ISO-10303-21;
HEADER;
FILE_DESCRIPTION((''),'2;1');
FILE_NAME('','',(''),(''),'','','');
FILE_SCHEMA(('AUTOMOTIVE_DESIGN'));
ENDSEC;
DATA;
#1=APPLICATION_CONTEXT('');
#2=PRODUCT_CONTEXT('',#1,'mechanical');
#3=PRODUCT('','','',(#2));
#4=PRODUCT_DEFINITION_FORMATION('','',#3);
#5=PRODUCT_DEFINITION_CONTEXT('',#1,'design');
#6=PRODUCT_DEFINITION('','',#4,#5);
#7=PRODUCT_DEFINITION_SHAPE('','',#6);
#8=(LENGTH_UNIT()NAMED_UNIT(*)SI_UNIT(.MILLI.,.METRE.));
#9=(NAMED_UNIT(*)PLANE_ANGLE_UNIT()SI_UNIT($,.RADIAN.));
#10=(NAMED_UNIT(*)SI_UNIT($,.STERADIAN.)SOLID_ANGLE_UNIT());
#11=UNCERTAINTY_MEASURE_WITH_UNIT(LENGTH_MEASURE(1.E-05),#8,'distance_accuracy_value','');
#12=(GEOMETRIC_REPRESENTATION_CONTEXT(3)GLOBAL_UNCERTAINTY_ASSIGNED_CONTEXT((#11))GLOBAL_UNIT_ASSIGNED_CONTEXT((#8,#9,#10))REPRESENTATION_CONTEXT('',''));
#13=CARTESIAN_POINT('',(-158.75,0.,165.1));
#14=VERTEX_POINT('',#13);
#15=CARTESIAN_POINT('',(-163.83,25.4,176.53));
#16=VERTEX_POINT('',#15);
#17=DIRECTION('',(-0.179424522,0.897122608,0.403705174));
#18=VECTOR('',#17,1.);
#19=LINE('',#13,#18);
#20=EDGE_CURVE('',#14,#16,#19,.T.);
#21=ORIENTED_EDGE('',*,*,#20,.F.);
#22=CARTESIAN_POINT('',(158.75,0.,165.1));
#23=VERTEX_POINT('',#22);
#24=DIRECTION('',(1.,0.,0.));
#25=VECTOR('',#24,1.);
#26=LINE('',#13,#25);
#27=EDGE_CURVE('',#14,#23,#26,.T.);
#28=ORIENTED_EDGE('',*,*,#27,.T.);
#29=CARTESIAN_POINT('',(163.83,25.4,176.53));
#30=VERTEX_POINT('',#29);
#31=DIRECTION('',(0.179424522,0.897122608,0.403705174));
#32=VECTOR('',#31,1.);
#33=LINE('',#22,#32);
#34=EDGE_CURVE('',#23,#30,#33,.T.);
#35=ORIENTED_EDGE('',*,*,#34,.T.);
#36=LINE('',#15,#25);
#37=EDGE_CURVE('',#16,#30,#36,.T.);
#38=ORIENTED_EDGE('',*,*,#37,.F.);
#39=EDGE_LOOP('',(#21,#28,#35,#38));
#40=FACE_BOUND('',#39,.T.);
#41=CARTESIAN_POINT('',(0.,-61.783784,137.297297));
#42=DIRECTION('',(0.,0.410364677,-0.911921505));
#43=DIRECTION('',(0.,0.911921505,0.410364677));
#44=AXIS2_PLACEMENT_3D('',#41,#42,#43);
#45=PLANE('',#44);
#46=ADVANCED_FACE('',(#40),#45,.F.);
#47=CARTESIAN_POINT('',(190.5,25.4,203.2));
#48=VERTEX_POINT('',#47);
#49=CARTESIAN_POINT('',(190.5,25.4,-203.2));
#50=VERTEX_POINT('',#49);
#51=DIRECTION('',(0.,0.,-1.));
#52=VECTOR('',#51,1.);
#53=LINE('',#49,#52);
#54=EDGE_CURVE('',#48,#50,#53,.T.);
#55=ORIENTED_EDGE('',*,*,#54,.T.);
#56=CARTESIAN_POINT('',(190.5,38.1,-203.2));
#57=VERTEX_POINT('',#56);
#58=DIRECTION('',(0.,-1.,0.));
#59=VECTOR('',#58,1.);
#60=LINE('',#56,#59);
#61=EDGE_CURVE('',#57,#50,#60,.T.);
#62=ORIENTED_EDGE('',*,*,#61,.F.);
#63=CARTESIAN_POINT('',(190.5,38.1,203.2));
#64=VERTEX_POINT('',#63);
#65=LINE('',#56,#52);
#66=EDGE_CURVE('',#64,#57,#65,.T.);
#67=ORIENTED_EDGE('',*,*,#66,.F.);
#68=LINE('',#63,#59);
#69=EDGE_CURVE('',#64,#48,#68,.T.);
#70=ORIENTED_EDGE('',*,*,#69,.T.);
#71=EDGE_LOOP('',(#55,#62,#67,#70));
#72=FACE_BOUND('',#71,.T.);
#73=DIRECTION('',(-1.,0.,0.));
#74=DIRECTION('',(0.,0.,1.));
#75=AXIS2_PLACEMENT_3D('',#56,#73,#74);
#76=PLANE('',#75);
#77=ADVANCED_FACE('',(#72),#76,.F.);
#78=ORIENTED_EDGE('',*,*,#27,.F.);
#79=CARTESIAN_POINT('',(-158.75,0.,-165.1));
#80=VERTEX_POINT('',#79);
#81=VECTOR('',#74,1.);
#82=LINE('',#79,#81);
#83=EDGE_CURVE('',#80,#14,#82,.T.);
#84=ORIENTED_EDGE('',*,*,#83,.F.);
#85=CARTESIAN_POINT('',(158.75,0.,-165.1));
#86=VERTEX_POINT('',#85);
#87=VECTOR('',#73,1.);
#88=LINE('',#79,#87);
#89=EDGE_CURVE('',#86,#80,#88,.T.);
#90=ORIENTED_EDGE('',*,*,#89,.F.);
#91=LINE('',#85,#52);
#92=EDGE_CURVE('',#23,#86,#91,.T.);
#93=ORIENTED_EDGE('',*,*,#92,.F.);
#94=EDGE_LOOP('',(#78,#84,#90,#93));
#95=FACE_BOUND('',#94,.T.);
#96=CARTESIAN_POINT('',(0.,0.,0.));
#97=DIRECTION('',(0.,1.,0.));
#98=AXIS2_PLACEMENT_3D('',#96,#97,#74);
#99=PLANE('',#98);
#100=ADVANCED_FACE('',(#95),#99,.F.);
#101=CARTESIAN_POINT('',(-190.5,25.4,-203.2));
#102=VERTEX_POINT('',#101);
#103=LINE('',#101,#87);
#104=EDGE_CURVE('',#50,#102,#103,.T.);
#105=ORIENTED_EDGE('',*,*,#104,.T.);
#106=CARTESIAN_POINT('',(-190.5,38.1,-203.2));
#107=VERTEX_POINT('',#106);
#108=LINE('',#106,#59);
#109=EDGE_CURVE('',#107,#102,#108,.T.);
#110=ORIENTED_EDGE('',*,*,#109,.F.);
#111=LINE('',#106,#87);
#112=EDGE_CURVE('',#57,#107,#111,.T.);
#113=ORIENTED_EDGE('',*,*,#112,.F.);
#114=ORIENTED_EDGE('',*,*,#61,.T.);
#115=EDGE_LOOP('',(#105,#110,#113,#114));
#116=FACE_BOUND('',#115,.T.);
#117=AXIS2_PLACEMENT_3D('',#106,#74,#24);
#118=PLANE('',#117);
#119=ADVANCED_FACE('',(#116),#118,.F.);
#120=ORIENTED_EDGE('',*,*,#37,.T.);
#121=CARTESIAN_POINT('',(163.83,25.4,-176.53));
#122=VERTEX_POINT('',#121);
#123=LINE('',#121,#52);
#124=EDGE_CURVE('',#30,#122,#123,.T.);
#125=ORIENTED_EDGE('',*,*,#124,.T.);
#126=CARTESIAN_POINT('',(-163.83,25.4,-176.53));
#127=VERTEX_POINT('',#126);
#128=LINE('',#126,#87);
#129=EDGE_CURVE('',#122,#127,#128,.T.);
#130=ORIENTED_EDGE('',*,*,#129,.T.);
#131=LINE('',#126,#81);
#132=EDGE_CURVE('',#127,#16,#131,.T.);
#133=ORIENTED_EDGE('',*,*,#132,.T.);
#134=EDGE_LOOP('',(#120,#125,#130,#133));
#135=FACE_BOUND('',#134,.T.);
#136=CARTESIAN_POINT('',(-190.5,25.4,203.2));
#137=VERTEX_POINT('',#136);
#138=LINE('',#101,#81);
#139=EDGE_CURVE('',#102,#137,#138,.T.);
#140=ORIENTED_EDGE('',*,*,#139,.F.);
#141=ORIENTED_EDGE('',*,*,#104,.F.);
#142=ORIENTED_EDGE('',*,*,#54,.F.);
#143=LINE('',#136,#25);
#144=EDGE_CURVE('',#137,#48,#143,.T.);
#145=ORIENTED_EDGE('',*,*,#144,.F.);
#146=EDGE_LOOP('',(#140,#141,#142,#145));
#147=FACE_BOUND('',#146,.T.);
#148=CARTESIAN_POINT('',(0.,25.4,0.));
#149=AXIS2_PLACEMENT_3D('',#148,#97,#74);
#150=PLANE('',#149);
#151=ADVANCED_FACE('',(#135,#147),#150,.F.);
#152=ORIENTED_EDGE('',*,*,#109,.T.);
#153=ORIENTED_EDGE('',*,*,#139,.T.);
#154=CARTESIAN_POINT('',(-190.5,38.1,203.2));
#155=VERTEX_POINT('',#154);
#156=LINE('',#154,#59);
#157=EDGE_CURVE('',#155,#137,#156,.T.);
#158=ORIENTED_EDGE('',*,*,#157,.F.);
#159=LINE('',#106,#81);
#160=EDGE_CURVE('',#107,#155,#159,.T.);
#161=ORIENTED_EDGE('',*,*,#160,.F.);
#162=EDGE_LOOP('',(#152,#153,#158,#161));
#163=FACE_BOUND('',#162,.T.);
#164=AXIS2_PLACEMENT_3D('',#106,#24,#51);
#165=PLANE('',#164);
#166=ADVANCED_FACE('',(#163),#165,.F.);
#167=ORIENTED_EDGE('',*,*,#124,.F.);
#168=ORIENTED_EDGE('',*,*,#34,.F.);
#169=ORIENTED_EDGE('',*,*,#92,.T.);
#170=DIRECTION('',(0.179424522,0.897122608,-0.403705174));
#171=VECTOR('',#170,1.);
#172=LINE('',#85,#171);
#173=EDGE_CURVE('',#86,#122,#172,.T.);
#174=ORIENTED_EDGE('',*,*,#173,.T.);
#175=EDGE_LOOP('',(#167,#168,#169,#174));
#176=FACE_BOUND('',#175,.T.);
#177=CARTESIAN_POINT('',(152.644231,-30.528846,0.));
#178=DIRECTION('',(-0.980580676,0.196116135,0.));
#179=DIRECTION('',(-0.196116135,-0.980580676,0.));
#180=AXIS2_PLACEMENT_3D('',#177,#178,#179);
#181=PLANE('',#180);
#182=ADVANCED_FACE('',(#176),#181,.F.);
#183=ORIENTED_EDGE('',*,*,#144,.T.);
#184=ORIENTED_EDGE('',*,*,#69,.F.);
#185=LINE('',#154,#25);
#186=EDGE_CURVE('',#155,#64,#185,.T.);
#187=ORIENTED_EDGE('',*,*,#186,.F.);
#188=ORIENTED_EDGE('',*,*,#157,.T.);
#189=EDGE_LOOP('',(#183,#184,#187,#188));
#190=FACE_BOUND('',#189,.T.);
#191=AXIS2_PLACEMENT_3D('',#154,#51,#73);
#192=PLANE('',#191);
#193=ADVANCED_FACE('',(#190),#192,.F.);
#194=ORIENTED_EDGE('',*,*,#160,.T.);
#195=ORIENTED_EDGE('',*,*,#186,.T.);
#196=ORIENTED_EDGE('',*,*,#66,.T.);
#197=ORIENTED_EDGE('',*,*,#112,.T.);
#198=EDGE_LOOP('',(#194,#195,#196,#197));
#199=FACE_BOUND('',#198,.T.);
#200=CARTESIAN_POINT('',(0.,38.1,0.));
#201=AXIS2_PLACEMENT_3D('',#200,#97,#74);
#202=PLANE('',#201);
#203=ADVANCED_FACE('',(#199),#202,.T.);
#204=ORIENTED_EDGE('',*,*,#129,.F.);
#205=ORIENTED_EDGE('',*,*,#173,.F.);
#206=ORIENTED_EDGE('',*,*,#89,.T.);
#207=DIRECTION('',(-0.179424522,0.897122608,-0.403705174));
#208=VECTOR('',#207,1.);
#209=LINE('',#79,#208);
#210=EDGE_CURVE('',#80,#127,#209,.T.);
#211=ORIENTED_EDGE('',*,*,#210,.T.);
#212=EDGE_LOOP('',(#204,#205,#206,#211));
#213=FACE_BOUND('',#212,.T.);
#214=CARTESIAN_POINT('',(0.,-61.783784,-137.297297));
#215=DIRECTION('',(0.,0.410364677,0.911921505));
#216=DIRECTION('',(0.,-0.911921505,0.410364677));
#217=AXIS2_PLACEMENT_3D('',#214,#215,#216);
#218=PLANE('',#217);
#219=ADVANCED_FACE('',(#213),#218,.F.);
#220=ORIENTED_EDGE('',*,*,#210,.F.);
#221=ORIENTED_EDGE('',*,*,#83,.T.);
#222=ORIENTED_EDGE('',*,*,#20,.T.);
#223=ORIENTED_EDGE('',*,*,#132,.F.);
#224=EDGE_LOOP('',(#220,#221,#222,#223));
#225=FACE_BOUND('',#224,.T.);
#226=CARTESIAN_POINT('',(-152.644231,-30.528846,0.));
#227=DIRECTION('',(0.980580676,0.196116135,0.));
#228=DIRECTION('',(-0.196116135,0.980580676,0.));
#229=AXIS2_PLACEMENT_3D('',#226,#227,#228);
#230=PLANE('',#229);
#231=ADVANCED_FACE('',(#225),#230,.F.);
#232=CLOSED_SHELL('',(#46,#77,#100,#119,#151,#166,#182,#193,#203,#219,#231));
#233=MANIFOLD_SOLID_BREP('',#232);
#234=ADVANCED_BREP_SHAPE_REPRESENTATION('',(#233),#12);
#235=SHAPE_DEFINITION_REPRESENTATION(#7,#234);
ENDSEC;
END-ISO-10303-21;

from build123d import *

# Parameters (mm, degrees)
SKETCH4_W           = 381
SKETCH4_H           = 406.4
BOSS_EXTRUDE1_DEPTH = 12.7


with BuildPart() as part:
    # Sketch1 → Loft1 section 0
    with BuildSketch(Plane(origin=(0, 0, 0), x_dir=(1, 0, 0), z_dir=(0, 1, 0))):
        with BuildLine():
            Line((-158.75, 165.1), (158.75, 165.1))
            Line((158.75, 165.1), (158.75, -165.1))
            Line((158.75, -165.1), (-158.75, -165.1))
            Line((-158.75, -165.1), (-158.75, 165.1))
        make_face()
    # Sketch2 → Loft1 section 1
    with BuildSketch(Plane(origin=(0, 25.4, 0), x_dir=(1, 0, 0), z_dir=(0, 1, 0))):
        with BuildLine():
            Line((-163.83, 176.53), (163.83, 176.53))
            Line((163.83, 176.53), (163.83, -176.53))
            Line((163.83, -176.53), (-163.83, -176.53))
            Line((-163.83, -176.53), (-163.83, 176.53))
        make_face()
    loft()

    # Sketch4 → Boss-Extrude1 (add)
    with BuildSketch(Plane(origin=(0, 25.4, 0), x_dir=(1, 0, 0), z_dir=(0, 1, 0))):
        Rectangle(SKETCH4_W, SKETCH4_H)
    extrude(amount=BOSS_EXTRUDE1_DEPTH)


solid = part.part
